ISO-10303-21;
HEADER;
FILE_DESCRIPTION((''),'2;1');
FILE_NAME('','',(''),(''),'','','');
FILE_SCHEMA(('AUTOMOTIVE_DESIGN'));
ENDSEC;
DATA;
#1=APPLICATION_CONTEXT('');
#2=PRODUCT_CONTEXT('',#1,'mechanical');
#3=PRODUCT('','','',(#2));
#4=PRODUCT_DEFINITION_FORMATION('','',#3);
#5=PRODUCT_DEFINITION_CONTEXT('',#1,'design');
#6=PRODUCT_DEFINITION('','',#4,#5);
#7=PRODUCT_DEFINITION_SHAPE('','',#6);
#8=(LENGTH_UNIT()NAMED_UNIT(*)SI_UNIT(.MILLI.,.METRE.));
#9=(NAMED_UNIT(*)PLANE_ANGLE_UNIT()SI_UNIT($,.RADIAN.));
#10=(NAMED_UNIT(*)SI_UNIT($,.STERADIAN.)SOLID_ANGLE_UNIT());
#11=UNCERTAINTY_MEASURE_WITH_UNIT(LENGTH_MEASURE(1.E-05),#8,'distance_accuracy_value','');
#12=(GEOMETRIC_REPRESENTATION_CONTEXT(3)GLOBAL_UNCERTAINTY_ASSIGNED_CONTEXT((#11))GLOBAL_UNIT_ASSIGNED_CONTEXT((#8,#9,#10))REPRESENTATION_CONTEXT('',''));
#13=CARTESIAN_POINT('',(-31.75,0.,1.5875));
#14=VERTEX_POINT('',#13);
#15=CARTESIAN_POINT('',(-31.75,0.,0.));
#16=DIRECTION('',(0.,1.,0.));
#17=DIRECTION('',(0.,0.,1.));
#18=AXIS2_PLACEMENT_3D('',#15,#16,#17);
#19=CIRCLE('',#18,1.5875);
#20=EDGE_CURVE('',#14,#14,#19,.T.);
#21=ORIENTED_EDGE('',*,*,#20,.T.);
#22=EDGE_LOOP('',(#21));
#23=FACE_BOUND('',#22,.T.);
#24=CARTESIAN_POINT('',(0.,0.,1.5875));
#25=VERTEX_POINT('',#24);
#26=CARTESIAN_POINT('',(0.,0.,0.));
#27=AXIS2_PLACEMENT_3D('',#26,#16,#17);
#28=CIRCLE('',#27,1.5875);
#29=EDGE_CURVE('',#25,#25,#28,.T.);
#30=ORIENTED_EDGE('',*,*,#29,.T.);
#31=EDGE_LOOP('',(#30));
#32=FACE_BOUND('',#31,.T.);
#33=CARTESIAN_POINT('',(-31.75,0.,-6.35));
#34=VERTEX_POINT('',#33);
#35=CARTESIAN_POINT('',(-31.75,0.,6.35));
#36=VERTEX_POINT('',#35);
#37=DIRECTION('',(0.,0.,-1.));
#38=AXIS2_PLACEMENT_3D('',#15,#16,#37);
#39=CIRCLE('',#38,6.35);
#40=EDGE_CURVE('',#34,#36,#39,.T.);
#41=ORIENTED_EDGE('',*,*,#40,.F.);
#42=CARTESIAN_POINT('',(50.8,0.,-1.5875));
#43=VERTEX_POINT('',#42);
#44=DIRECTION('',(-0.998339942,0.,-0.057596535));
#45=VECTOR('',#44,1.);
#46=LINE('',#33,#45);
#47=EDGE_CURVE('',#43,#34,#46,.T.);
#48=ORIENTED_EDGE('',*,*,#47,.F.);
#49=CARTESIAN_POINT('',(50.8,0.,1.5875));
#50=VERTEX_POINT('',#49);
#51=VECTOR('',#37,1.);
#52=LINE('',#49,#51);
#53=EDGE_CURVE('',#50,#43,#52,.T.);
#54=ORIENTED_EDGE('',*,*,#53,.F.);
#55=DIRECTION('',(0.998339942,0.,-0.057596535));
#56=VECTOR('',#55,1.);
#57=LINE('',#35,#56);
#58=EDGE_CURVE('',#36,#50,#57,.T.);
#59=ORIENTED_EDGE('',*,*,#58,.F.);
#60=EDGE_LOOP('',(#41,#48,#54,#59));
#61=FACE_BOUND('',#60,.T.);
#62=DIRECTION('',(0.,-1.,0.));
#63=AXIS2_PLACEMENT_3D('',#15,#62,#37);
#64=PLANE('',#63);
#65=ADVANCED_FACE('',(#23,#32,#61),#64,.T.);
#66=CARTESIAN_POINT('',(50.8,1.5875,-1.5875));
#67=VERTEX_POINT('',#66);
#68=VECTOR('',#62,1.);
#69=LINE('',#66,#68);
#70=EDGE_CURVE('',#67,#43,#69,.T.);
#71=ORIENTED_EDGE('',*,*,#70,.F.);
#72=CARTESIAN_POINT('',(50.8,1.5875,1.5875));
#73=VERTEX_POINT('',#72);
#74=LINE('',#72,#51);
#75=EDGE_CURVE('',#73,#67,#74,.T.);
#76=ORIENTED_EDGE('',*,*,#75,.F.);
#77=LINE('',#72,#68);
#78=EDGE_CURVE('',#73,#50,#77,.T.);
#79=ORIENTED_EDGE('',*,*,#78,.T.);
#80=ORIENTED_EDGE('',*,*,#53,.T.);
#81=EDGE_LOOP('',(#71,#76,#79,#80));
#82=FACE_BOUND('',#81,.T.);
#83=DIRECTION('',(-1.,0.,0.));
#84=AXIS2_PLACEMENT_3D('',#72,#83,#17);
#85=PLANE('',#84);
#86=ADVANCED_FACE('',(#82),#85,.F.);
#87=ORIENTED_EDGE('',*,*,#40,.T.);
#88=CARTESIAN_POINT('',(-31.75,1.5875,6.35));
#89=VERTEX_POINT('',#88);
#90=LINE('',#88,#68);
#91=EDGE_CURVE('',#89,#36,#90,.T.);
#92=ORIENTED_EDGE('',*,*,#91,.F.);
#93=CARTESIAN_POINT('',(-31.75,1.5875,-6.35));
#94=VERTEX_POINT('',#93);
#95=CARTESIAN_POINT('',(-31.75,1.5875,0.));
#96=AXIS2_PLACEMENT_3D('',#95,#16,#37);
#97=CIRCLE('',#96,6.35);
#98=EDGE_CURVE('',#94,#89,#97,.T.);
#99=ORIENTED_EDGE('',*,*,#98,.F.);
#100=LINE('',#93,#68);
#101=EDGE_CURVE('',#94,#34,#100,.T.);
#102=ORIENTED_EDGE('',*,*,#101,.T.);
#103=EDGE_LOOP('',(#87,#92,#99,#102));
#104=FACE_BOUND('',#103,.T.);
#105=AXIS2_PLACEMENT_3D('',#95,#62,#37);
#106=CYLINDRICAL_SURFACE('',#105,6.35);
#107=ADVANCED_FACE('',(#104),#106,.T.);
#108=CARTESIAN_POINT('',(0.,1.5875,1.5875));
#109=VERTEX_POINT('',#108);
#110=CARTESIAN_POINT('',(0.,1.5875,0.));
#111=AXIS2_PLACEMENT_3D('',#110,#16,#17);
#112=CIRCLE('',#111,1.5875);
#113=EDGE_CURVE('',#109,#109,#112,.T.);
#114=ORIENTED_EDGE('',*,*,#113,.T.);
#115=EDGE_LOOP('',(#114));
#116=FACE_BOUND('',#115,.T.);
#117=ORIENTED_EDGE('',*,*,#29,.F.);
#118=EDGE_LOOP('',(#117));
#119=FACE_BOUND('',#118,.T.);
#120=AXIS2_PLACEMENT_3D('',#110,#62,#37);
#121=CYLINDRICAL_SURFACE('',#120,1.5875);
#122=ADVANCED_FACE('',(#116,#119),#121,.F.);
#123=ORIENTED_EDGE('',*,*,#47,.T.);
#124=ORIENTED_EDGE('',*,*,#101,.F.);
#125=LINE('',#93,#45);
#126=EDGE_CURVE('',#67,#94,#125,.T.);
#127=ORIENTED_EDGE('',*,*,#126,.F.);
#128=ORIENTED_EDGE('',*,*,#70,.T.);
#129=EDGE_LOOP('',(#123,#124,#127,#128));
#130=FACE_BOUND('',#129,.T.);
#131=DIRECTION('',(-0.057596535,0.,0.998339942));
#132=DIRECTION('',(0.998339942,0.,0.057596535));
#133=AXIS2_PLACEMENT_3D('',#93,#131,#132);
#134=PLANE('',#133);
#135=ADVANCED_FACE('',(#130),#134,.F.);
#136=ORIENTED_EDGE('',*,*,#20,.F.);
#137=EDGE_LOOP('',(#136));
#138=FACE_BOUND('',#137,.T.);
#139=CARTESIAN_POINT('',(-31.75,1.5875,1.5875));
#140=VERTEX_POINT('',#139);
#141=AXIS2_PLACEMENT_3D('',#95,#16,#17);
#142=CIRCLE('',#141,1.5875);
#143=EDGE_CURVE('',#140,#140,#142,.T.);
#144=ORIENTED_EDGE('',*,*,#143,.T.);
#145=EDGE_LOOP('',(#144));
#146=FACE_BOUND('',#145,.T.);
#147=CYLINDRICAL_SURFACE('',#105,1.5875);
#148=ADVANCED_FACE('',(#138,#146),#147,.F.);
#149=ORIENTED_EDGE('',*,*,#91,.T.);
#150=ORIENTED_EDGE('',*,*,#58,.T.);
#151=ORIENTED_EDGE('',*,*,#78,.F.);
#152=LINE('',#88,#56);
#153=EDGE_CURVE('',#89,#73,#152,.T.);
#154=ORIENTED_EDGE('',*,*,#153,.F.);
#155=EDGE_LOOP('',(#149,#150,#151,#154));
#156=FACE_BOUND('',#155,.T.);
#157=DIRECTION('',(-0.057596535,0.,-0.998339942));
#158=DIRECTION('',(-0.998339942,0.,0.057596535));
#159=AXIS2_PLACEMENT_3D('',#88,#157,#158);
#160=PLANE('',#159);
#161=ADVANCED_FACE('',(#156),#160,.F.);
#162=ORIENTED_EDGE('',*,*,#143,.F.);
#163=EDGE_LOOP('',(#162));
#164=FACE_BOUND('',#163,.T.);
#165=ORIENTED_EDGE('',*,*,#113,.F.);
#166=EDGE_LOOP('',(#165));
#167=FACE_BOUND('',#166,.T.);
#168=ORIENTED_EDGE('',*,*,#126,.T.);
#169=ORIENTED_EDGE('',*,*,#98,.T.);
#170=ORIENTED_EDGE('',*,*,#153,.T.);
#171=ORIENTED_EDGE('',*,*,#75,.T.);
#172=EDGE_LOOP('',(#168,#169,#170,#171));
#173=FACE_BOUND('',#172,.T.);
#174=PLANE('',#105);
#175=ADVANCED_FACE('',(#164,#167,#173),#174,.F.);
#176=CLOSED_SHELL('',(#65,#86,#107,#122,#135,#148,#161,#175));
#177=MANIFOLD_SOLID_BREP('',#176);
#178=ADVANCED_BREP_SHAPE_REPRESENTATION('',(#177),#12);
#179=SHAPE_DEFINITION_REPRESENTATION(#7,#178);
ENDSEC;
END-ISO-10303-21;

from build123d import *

# Parameters (mm, degrees)
SKETCH2_R           = 1.5875
BOSS_EXTRUDE1_DEPTH = 1.5875


with BuildPart() as part:
    # Sketch2 → Boss-Extrude1 (new body)
    with BuildSketch(Plane(origin=(0, 0, 0), x_dir=(1, 0, 0), z_dir=(0, 1, 0))):
        with BuildLine():
            Line((-31.75, -6.35), (50.8, -1.5875))
            Line((50.8, -1.5875), (50.8, 1.5875))
            Line((50.8, 1.5875), (-31.75, 6.35))
            ThreePointArc((-31.75, 6.35), (-38.1, 0), (-31.75, -6.35))
        make_face()
        with Locations(Location((0, 0, 0), (0, 0, 270))):
            Circle(SKETCH2_R, mode=Mode.SUBTRACT)
        with Locations(Location((-31.75, 0, 0), (0, 0, 270))):
            Circle(SKETCH2_R, mode=Mode.SUBTRACT)
    extrude(amount=BOSS_EXTRUDE1_DEPTH)


solid = part.part
